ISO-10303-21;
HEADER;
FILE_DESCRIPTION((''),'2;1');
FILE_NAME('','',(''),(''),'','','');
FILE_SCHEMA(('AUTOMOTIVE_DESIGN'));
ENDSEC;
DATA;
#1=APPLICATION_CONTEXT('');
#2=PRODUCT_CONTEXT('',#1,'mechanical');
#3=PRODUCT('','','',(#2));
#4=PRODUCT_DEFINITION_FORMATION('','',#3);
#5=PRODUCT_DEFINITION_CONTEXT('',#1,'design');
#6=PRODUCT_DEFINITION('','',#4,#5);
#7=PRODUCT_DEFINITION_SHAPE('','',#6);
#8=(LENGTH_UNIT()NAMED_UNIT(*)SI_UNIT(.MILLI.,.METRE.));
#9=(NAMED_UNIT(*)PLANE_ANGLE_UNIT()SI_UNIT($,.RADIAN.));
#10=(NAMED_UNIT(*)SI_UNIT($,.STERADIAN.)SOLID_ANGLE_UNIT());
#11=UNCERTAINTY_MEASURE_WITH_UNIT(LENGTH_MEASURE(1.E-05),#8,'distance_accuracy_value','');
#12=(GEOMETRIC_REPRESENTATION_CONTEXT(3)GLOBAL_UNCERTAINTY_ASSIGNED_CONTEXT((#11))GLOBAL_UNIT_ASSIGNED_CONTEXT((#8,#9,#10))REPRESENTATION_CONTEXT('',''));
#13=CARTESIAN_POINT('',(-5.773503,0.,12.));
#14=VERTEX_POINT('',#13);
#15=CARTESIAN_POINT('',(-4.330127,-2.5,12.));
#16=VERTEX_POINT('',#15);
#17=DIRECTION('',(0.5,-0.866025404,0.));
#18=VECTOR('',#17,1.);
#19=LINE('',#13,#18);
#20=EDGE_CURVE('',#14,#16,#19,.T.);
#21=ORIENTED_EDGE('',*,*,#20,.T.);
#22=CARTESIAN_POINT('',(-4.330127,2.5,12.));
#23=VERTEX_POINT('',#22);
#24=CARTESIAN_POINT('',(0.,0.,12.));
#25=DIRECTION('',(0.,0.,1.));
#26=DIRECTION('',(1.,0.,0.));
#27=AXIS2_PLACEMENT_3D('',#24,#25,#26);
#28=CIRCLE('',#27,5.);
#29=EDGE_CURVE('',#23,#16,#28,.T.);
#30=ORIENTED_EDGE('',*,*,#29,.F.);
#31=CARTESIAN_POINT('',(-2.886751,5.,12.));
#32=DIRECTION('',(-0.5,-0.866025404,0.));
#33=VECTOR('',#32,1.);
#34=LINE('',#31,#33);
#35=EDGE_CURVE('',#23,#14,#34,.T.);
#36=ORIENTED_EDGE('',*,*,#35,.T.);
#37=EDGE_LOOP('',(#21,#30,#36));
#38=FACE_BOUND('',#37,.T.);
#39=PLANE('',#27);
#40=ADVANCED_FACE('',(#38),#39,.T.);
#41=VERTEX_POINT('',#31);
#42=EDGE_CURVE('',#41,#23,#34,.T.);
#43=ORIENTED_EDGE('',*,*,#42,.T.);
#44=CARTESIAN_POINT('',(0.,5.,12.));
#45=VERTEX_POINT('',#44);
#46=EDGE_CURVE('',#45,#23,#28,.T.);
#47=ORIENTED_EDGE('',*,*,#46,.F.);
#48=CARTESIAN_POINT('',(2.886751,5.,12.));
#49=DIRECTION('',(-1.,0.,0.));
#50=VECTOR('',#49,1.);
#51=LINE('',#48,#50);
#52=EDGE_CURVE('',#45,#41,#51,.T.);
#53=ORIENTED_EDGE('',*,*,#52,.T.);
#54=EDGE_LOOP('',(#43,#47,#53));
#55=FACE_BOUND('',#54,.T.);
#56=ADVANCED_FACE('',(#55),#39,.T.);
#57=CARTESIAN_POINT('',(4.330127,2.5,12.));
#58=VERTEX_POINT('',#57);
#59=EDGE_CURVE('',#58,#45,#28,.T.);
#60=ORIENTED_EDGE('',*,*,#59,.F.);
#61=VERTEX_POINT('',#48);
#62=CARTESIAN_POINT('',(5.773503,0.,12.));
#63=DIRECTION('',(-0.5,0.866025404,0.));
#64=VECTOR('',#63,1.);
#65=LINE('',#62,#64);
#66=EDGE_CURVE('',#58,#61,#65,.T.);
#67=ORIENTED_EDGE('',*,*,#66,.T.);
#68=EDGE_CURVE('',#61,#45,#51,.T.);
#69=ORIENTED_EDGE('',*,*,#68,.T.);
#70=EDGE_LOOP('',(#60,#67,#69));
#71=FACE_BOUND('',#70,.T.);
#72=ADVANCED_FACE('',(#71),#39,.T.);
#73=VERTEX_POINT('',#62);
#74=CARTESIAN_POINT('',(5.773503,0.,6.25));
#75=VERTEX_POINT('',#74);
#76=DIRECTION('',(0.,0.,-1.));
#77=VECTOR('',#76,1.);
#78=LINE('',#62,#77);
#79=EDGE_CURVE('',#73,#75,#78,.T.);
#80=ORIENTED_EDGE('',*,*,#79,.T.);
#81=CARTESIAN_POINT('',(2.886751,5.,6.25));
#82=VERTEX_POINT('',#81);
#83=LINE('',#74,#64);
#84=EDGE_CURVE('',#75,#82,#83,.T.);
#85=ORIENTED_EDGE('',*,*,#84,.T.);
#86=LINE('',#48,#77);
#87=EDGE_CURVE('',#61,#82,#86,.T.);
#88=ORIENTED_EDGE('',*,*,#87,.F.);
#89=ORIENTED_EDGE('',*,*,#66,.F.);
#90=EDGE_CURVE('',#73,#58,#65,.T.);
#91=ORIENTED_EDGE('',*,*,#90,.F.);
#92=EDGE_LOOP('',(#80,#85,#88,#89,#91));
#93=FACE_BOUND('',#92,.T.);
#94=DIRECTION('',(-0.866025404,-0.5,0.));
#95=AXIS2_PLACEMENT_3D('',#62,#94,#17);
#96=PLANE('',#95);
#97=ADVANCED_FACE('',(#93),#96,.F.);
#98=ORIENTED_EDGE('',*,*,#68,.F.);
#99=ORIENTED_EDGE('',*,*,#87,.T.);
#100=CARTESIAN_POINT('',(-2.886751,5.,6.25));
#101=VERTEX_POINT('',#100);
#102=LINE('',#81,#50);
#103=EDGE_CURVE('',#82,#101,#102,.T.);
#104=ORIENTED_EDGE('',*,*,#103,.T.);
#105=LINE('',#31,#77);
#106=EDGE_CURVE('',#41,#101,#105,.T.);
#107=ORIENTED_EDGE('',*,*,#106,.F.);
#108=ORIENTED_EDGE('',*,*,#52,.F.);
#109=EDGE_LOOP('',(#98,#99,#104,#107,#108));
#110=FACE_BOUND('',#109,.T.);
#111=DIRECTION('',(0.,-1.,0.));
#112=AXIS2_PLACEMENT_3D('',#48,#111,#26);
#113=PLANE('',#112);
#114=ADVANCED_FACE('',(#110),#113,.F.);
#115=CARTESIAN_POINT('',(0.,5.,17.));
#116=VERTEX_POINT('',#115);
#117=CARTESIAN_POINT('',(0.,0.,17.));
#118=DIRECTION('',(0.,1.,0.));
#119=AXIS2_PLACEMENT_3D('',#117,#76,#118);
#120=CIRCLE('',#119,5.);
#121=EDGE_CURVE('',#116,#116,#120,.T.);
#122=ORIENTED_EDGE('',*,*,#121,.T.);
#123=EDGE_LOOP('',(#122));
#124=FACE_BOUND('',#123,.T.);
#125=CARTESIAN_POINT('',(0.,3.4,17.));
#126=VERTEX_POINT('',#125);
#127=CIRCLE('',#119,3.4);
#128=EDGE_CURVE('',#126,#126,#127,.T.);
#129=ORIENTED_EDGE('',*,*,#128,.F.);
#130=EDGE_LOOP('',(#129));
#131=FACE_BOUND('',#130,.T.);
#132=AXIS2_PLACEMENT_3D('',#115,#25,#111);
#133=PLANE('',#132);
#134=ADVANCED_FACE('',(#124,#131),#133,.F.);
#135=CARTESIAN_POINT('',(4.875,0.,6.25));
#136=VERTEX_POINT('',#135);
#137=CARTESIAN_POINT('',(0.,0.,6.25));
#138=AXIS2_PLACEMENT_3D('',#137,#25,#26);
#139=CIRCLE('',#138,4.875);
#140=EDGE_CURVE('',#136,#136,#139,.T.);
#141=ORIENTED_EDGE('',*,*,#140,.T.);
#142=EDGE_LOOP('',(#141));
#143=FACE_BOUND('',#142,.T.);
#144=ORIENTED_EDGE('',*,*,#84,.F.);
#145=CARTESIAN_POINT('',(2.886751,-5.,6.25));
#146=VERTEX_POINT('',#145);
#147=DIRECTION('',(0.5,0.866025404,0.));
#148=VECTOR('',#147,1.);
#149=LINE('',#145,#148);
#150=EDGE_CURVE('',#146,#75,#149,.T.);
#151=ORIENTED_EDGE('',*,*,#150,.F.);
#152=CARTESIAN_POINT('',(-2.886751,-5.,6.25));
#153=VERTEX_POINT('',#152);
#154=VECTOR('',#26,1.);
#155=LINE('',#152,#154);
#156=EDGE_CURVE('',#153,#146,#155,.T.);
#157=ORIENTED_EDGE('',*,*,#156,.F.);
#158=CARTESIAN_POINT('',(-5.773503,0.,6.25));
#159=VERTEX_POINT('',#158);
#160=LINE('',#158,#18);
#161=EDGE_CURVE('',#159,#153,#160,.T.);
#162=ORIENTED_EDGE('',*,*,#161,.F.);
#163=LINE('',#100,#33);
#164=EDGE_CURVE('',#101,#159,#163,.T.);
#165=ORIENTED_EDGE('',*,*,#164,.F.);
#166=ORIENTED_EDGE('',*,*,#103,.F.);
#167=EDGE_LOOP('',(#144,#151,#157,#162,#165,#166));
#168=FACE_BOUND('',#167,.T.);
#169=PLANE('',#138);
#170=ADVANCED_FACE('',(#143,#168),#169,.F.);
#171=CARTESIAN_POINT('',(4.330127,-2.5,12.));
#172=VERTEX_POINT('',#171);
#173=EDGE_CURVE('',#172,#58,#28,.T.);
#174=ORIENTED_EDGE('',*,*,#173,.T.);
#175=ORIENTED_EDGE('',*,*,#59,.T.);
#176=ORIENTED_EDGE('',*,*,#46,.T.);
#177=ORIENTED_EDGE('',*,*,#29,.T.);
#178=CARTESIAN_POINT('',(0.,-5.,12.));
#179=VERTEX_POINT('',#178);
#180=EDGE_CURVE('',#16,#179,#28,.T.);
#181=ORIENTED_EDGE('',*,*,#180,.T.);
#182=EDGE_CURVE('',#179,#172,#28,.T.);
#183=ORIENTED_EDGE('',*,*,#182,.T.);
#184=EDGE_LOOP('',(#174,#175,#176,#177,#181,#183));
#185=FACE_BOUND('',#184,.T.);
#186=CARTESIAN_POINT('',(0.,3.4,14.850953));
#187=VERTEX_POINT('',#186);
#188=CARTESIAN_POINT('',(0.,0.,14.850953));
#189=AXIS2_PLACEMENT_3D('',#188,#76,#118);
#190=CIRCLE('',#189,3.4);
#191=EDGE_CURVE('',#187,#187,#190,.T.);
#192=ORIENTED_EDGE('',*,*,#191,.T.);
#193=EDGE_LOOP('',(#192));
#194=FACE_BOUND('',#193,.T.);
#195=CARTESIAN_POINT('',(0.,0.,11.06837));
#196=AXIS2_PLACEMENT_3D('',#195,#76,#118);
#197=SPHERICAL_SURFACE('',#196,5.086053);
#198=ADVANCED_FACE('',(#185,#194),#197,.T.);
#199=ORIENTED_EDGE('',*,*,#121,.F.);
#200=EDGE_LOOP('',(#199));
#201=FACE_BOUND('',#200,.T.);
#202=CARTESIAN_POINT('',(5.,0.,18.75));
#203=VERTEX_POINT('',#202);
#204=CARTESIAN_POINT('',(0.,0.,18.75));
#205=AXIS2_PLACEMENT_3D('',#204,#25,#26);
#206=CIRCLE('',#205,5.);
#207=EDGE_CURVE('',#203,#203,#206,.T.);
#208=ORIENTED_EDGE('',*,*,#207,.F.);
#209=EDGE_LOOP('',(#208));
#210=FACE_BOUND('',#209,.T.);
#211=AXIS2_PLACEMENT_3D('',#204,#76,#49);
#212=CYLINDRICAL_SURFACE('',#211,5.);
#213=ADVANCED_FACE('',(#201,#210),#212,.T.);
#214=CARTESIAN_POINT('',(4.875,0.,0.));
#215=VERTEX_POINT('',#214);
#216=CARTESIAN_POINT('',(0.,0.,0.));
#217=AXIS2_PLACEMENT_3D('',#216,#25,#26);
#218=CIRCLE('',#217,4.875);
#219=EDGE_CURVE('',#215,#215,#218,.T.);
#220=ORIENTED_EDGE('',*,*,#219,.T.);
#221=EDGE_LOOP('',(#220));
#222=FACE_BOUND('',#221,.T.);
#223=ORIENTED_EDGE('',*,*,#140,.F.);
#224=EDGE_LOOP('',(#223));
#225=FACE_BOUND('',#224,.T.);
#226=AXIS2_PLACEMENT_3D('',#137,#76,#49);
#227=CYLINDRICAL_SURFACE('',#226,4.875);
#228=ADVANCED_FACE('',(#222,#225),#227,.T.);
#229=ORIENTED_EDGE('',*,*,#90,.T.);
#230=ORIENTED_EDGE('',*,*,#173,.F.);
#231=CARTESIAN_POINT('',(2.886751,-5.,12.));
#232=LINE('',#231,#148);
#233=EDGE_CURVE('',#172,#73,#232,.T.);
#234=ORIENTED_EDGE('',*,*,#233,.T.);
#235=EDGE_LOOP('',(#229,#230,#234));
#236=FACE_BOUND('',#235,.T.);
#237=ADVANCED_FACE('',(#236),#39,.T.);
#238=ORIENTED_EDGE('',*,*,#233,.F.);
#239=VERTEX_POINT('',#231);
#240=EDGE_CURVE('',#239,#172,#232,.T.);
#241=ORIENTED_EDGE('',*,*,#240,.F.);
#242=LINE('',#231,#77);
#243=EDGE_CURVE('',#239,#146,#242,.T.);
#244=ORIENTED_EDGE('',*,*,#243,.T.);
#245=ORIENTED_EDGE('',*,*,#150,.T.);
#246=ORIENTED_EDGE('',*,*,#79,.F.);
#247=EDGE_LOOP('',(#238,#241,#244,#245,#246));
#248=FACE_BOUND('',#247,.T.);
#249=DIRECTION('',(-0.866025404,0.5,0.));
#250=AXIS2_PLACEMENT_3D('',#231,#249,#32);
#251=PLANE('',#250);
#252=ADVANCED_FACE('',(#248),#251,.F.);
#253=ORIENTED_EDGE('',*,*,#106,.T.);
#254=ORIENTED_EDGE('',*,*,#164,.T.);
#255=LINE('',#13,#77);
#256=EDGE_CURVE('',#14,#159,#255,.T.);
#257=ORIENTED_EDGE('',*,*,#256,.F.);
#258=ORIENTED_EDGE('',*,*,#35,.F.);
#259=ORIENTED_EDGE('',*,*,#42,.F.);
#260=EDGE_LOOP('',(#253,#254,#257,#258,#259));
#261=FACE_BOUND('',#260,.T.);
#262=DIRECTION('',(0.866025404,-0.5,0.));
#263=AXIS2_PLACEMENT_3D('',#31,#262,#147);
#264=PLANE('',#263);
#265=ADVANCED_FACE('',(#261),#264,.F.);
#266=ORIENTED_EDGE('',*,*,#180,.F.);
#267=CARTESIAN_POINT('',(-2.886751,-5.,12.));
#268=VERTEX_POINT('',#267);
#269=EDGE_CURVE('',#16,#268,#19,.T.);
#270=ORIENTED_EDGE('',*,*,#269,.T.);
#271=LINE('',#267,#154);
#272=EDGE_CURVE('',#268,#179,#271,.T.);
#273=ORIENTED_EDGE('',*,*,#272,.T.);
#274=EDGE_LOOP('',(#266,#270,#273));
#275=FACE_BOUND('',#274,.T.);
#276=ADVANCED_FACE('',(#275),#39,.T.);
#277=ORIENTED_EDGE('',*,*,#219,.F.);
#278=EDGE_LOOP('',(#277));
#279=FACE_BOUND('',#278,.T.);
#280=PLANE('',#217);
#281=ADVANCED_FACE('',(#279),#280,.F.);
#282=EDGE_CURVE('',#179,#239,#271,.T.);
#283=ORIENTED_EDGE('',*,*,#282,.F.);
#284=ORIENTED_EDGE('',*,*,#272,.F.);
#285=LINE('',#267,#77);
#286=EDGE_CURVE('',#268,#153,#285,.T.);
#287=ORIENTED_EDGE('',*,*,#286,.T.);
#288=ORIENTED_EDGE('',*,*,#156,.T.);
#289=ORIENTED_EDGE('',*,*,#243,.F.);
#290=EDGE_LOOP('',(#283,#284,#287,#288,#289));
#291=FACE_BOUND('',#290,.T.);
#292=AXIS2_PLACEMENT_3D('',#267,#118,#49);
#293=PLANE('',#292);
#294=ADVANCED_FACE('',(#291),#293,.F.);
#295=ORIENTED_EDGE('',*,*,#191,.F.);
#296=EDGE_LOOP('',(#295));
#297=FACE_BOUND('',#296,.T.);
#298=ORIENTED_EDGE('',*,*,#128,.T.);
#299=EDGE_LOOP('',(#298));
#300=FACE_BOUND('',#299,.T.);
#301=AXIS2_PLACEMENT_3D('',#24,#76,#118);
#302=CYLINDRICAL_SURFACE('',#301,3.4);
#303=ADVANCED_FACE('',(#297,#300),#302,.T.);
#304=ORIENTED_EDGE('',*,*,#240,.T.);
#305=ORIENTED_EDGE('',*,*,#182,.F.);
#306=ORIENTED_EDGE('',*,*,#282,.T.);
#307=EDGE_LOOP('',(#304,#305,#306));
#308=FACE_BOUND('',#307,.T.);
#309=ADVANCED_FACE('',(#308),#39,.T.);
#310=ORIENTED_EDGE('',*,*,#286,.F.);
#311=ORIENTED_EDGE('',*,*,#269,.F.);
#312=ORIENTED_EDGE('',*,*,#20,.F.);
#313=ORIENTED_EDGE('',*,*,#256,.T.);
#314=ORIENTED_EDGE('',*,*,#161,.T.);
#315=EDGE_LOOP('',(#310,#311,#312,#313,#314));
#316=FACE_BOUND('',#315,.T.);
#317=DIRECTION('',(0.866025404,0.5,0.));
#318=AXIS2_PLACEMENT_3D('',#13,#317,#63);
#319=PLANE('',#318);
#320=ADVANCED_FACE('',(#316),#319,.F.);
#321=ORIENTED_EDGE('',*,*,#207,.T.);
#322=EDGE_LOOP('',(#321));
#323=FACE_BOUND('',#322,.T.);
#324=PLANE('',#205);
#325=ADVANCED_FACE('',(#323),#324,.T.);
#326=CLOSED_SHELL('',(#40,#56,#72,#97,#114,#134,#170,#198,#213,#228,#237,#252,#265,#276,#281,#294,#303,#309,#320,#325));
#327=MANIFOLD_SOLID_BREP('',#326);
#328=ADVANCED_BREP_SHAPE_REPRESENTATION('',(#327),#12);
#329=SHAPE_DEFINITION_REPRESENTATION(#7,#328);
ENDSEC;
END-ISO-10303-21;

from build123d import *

# Parameters (mm, degrees)
SKETCH1_R           = 4.875
BOSS_EXTRUDE1_DEPTH = 6.25
BOSS_EXTRUDE2_DEPTH = 5.75
SKETCH3_R           = 5
BOSS_EXTRUDE3_DEPTH = 6.75


with BuildPart() as part:
    # Sketch1 → Boss-Extrude1 (new body)
    with BuildSketch(Plane.XY):
        Circle(SKETCH1_R)
    extrude(amount=BOSS_EXTRUDE1_DEPTH)

    # Sketch2 → Boss-Extrude2 (add)
    with BuildSketch(Plane.XY.offset(6.25)):
        Polygon((5.773502692, 0), (2.886751346, 5), (-2.886751346, 5), (-5.773502692, 0), (-2.886751346, -5), (2.886751346, -5), align=None)
    extrude(amount=BOSS_EXTRUDE2_DEPTH)

    # Sketch3 → Boss-Extrude3 (add)
    with BuildSketch(Plane.XY.offset(12)):
        with Locations(Location((0, 0, 0), (0, 0, 150))):
            Circle(SKETCH3_R)
    extrude(amount=BOSS_EXTRUDE3_DEPTH)

    # Sketch4 → Cut-Revolve1 (revolve, cut)
    with BuildSketch(Plane(origin=(0, 0, 0), x_dir=(0, 0, -1), z_dir=(1, 0, 0))):
        with BuildLine():
            Line((-17, 5), (-17, 3.4))
            Line((-17, 3.4), (-14.850952939, 3.4))
            ThreePointArc((-14.850952939, 3.4), (-13.557536702, 4.435310943), (-12, 5))
            Line((-12, 5), (-17, 5))
        make_face()
    revolve(axis=Axis((0, 0, 12), (0, 0, 1)), mode=Mode.SUBTRACT)


solid = part.part
